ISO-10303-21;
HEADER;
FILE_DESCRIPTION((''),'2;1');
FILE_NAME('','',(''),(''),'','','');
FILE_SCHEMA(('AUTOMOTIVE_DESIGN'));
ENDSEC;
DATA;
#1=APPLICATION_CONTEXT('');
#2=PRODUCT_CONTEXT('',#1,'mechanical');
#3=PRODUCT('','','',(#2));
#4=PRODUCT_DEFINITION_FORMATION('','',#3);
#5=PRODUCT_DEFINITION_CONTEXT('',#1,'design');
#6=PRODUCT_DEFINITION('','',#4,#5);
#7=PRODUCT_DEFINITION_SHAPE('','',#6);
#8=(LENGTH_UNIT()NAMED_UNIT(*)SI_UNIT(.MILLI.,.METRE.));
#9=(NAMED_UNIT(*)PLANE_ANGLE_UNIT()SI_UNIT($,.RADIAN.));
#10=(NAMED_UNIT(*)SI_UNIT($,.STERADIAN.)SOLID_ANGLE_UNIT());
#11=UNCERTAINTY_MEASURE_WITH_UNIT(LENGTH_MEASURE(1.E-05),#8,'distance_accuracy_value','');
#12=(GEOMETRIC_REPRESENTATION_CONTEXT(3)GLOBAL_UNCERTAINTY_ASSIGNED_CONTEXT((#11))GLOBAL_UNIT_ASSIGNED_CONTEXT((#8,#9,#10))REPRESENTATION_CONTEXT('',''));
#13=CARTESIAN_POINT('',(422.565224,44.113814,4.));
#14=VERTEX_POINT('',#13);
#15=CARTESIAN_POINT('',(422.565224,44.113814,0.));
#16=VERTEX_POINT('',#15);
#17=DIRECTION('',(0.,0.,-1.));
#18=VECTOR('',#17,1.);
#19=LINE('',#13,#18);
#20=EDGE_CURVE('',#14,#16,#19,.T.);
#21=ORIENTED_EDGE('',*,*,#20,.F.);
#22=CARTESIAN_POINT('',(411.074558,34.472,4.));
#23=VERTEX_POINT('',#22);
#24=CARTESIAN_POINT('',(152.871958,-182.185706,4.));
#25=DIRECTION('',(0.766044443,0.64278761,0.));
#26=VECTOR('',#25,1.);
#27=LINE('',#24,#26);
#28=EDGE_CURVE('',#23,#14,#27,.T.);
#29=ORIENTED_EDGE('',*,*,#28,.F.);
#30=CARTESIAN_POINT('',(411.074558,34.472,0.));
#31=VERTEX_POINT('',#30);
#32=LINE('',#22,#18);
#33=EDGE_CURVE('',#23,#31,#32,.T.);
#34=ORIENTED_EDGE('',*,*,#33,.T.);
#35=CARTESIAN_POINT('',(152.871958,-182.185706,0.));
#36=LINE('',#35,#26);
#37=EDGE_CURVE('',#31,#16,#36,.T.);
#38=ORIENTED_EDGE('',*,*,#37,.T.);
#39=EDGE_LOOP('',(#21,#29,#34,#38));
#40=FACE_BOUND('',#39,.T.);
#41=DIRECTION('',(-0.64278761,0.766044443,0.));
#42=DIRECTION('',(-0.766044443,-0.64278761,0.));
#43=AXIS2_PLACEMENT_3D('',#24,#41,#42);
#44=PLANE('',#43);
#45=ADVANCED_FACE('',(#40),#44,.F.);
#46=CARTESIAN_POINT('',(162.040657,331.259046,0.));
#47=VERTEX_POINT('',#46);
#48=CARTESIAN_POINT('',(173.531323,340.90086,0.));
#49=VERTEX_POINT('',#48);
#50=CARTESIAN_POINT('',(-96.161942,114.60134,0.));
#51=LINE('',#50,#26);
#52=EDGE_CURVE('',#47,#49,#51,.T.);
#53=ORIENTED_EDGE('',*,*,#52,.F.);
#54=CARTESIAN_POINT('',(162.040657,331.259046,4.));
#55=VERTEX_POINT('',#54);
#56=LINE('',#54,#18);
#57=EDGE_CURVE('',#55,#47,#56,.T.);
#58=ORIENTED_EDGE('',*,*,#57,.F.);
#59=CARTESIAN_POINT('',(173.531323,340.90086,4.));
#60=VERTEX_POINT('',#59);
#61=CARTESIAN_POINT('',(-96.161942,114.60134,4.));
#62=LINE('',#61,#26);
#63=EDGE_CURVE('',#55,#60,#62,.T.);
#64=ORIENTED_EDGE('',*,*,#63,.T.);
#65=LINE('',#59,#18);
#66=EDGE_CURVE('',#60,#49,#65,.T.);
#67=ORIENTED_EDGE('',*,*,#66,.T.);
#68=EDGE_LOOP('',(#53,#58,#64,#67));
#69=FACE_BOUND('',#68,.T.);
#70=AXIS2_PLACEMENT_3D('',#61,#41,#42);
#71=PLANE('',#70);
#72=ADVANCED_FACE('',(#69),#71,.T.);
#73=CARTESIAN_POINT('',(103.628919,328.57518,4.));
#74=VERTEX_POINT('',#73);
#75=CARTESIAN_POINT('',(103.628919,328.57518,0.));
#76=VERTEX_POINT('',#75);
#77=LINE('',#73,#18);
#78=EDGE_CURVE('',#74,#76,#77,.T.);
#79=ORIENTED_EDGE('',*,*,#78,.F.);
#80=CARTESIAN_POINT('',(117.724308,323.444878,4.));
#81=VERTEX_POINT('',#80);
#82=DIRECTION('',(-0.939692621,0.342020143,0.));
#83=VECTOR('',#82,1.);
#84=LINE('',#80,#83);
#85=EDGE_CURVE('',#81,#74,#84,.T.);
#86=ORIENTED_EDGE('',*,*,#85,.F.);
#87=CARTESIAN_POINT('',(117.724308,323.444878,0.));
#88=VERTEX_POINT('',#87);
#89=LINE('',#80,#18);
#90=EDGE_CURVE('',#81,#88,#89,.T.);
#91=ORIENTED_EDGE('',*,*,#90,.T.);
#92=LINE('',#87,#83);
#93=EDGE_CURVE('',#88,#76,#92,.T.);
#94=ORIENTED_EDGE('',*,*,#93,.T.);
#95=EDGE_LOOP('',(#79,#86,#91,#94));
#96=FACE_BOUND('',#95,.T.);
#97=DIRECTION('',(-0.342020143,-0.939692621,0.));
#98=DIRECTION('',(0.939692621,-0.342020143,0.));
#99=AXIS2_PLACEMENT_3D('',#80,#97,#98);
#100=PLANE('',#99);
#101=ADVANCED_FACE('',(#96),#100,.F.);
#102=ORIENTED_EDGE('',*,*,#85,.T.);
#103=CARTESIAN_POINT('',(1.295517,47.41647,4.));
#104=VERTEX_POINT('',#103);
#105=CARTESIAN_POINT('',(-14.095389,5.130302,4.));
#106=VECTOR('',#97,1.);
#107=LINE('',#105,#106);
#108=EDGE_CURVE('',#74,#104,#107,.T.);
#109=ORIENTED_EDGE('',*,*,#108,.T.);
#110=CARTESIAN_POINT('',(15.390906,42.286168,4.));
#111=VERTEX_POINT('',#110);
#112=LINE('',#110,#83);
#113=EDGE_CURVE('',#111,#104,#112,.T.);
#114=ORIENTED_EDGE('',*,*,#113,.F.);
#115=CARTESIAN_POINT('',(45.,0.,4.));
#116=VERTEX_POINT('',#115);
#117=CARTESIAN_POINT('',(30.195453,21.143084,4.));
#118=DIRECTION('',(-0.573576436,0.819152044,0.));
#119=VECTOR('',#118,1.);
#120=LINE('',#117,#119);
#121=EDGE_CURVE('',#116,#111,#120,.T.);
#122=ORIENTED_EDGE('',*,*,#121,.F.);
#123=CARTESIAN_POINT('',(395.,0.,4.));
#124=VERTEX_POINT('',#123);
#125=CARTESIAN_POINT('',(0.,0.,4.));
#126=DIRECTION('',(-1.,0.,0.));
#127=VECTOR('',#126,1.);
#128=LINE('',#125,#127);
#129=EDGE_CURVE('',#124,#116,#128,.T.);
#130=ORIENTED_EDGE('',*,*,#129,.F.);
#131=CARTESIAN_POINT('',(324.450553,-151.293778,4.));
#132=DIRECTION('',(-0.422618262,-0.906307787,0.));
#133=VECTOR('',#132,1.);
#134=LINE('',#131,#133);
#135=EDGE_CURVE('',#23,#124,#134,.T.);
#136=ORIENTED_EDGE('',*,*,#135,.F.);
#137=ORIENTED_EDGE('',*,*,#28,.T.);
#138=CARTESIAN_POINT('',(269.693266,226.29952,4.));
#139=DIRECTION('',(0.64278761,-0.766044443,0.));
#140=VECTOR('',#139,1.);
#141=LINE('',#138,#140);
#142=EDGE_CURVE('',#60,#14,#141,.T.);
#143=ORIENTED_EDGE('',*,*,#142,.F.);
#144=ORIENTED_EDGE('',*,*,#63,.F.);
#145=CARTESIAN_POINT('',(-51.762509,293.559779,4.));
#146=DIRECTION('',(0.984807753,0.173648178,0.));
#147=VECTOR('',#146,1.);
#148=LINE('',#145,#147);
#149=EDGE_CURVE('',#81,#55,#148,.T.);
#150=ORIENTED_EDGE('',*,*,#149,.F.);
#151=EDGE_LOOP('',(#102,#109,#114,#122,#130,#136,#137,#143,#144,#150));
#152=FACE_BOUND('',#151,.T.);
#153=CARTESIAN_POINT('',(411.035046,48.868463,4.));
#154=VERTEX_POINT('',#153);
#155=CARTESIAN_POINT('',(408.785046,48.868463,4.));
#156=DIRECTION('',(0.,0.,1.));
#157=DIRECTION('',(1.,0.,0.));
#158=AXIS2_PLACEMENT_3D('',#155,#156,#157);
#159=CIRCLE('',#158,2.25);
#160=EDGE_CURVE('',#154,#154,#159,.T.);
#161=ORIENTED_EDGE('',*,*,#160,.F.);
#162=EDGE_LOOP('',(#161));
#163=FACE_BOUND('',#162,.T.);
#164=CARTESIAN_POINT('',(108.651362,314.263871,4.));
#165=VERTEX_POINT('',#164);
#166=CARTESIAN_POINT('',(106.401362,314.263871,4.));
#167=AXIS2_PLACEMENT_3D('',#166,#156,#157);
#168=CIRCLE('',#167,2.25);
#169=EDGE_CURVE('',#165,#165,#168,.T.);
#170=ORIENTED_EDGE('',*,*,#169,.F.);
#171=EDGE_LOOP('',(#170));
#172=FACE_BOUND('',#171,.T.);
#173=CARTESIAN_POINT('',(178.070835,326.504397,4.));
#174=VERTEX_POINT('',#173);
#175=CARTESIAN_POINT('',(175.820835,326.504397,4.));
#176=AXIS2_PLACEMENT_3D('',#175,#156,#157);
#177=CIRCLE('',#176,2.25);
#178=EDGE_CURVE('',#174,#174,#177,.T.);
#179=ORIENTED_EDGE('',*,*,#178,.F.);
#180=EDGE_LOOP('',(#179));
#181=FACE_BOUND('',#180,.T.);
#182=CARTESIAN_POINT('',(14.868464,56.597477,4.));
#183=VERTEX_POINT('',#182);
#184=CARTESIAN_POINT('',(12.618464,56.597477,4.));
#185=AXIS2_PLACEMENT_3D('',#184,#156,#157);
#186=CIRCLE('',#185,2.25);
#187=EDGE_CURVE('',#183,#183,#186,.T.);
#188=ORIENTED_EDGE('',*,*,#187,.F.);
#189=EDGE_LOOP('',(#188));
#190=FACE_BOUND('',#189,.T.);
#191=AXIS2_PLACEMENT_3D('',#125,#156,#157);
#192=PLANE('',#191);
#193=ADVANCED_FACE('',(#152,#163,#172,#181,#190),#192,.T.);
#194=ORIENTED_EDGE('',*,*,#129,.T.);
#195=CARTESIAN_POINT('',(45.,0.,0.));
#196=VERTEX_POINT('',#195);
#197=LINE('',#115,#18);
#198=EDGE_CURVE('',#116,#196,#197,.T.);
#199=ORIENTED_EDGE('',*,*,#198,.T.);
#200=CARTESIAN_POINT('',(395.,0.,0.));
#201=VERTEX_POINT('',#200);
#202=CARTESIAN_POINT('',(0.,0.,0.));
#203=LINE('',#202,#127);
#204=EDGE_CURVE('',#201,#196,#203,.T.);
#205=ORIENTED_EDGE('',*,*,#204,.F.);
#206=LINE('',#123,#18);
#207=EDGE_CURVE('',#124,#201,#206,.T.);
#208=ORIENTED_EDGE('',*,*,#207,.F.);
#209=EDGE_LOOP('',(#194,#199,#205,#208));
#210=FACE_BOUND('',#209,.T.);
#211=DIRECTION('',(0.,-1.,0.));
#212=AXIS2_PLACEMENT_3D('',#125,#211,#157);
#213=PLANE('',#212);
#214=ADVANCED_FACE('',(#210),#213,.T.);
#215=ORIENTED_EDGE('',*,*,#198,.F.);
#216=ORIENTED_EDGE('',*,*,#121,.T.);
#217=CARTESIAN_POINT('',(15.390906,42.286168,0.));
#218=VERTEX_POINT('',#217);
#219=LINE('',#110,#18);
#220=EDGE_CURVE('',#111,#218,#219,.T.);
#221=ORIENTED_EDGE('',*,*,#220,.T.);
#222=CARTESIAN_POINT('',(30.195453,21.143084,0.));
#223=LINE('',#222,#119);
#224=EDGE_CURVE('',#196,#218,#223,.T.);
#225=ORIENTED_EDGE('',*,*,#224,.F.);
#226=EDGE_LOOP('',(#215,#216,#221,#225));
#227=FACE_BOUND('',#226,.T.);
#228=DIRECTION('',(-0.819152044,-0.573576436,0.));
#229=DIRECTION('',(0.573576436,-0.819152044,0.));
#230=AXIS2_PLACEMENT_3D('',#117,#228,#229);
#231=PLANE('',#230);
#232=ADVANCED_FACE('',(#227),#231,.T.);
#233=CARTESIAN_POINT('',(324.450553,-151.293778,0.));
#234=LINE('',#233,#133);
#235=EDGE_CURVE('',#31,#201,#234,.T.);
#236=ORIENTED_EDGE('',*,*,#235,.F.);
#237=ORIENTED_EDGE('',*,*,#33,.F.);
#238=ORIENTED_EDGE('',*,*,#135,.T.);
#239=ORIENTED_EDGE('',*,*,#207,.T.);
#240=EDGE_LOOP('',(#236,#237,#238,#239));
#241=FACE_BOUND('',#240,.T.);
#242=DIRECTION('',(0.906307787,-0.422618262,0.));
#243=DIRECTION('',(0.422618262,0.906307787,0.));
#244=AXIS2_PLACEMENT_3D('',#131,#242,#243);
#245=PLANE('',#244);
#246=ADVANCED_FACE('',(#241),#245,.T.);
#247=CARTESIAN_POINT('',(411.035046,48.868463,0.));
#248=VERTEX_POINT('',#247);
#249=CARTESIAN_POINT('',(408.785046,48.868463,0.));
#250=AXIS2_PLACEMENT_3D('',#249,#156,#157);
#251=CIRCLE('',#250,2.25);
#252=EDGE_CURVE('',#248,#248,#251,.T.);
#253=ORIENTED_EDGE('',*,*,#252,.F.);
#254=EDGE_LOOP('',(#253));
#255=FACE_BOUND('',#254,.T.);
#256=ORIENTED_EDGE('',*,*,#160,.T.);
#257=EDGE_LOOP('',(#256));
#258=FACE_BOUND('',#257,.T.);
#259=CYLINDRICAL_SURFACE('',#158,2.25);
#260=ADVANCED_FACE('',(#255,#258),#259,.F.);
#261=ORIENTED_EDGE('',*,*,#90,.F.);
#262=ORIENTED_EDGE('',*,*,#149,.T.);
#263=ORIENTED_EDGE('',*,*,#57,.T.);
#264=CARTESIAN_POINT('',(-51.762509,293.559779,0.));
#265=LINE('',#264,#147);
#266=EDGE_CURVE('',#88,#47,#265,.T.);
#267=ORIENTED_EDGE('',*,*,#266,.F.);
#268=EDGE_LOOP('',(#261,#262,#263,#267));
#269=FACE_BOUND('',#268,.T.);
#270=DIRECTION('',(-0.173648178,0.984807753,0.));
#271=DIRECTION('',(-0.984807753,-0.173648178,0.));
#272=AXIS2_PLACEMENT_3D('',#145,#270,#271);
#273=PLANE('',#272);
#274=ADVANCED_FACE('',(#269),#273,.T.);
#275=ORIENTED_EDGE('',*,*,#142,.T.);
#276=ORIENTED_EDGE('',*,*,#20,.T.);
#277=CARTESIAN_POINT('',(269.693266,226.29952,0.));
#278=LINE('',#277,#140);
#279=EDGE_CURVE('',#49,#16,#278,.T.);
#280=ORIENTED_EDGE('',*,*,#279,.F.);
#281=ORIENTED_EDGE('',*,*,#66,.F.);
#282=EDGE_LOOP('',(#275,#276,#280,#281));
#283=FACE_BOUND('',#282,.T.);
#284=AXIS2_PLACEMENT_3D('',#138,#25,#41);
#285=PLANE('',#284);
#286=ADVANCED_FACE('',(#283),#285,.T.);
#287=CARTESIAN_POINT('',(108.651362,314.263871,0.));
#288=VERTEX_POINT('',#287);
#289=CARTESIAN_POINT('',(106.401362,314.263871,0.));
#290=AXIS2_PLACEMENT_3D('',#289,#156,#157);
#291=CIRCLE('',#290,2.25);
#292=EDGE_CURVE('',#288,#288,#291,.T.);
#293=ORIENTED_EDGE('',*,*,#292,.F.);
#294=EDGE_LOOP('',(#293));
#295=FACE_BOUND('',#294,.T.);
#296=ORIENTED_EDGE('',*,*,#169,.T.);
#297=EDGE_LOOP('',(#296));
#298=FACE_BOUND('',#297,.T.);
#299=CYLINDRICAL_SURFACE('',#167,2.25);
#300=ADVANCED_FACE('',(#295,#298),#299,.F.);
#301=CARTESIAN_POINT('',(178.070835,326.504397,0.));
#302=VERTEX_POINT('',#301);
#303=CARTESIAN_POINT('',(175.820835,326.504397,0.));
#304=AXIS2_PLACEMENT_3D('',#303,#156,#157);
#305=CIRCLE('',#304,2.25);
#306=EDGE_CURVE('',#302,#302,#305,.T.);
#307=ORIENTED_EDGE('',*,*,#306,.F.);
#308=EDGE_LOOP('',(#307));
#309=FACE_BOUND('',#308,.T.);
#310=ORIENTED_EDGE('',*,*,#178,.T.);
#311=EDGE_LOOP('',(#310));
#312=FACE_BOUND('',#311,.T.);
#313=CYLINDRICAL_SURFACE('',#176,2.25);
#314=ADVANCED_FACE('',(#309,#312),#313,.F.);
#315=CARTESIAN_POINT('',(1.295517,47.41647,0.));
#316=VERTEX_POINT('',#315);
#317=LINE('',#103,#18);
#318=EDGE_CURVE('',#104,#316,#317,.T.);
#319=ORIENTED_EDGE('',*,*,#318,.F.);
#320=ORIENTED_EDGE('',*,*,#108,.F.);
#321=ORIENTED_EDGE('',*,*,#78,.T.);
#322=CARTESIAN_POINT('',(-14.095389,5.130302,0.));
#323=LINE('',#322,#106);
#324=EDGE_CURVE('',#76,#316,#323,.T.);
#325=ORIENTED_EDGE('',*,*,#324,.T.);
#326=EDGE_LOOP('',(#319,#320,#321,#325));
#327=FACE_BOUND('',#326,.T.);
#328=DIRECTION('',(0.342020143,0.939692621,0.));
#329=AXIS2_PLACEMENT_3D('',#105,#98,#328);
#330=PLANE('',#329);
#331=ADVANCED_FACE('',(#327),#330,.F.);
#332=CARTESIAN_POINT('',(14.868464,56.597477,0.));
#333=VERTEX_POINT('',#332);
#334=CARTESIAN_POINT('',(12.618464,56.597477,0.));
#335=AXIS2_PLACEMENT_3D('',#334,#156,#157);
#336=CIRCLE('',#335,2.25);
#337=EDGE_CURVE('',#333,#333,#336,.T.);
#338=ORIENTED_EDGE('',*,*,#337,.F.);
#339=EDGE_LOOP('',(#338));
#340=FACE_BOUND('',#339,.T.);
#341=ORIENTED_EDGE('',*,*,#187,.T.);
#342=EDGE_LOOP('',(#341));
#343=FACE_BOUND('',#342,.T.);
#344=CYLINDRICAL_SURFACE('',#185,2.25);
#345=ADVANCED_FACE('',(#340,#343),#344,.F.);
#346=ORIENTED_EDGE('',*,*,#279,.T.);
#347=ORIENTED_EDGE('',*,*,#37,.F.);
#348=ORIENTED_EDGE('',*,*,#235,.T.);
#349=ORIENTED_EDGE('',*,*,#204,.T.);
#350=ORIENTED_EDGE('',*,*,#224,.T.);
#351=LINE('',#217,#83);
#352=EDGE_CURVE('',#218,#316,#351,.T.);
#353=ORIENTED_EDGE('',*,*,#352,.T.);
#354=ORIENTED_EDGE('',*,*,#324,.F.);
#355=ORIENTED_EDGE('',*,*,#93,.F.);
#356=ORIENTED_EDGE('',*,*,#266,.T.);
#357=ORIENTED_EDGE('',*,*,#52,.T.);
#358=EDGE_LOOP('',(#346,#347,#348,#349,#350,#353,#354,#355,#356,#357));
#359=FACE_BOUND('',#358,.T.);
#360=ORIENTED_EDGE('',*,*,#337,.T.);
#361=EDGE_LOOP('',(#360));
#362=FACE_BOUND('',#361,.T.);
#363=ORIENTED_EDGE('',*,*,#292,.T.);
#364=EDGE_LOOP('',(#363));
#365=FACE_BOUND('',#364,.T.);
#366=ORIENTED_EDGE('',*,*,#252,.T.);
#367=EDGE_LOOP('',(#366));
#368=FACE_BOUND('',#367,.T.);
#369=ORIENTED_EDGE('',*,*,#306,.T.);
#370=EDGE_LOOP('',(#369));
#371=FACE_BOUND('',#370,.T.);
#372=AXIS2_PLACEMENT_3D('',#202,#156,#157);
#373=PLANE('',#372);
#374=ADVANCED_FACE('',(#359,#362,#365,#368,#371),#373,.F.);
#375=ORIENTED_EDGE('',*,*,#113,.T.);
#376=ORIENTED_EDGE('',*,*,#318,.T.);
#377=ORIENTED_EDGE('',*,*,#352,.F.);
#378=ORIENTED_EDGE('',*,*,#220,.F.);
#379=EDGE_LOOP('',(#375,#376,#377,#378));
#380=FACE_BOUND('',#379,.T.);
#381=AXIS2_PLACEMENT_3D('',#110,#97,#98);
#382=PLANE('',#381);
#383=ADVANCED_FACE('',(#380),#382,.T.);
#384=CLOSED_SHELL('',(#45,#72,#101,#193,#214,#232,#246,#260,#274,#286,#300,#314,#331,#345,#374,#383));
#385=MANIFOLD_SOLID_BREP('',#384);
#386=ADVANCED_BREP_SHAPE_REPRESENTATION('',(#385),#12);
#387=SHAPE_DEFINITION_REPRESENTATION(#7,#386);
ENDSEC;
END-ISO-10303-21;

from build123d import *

# Parameters (mm, degrees)
EXTRUDE_1_DEPTH    = 4
HOLE_WIZARD_M4_1_D = 4.5


with BuildPart() as part:
    # ｽｹｯﾁ1 → ﾎﾞｽ - 押し出し1 (new body)
    with BuildSketch(Plane.XY):
        Polygon((162.040656836, 331.259045811), (411.074557564, 34.47199994), (395, 0), (45, 0), (15.39090645, 42.286167935), (117.724307951, 323.444877815), align=None)
        Polygon((117.724307951, 323.444877815), (103.628918639, 328.575179965), (1.295517138, 47.416470085), (15.39090645, 42.286167935), align=None)
        Polygon((173.531323483, 340.900859956), (422.565224211, 44.113814086), (411.074557564, 34.47199994), (162.040656836, 331.259045811), align=None)
    extrude(amount=EXTRUDE_1_DEPTH)

    # M4 すきま穴1 (through all)
    with Locations(Plane.XY.offset(4)):
        with Locations((106.401361503, 314.263871131), (12.618463585, 56.59747677), (175.820835281, 326.504397344), (408.785045766, 48.868462552)):
            Hole(HOLE_WIZARD_M4_1_D / 2)


solid = part.part
